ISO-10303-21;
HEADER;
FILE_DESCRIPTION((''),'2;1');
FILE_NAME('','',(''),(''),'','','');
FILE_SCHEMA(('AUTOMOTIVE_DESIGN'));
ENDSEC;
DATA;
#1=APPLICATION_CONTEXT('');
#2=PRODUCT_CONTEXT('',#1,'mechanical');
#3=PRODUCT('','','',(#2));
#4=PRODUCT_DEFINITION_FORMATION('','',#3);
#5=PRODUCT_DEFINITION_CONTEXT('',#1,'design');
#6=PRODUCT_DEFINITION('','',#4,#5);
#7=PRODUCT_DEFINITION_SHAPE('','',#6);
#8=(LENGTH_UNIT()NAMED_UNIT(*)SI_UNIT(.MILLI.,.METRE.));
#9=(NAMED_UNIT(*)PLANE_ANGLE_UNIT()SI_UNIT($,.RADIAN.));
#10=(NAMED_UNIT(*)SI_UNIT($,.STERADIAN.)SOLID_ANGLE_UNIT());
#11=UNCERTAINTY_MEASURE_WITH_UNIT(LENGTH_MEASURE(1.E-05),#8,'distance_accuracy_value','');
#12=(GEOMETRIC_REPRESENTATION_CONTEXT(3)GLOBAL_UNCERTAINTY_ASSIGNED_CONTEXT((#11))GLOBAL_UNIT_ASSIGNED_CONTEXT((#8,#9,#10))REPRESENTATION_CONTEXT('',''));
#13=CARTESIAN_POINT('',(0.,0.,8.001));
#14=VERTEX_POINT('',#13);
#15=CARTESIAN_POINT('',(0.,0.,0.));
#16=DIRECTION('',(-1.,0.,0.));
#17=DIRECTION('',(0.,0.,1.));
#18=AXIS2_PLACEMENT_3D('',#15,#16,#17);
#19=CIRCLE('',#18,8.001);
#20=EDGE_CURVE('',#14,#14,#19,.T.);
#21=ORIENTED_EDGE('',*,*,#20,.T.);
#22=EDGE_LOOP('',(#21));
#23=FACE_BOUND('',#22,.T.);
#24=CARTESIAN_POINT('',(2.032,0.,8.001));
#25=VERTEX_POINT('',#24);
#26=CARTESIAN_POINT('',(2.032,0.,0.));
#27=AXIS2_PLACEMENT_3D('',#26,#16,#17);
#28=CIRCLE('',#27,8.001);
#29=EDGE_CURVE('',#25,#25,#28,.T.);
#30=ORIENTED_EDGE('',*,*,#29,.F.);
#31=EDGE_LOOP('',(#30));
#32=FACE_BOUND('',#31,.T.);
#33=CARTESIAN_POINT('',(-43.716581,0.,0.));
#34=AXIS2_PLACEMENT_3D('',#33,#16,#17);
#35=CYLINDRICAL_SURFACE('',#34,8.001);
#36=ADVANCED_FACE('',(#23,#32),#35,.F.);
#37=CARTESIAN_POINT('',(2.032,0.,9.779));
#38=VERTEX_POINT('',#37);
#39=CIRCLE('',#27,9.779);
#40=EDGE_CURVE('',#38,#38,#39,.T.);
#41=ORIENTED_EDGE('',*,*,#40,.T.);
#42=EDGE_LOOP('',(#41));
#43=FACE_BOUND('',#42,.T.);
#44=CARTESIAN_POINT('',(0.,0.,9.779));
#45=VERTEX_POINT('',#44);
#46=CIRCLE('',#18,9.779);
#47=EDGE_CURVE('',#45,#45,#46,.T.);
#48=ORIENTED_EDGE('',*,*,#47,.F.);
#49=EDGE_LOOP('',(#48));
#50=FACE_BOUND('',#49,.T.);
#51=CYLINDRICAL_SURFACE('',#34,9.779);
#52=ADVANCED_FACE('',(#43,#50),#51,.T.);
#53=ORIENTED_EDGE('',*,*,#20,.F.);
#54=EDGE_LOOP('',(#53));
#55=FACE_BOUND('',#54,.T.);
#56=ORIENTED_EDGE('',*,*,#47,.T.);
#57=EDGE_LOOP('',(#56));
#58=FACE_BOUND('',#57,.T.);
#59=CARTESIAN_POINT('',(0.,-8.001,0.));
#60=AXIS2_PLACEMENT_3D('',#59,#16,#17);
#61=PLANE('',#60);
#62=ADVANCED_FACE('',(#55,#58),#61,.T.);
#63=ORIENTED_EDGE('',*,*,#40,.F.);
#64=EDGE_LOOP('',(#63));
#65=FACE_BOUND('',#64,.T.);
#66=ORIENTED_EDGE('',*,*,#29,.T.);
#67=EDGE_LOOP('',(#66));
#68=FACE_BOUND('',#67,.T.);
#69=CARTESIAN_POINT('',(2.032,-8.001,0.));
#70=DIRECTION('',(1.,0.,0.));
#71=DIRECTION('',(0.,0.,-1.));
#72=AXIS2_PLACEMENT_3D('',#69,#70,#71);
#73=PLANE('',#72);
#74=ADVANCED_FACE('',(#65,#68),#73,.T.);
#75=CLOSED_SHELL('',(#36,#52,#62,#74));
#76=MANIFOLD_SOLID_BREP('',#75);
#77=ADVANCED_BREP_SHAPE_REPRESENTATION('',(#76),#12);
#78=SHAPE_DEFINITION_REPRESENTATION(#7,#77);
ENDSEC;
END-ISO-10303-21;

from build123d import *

# Parameters (mm, degrees)
SKETCH1_W = 2.032
SKETCH1_H = 1.778


with BuildPart() as part:
    # Sketch1 → Revolve1 (revolve)
    with BuildSketch(Plane.XY, mode=Mode.PRIVATE) as revolve1_sk:
        with Locations((1.016, -8.89)):
            Rectangle(SKETCH1_W, SKETCH1_H)
    revolve(revolve1_sk.sketch.rotate(Axis((-43.716580756, 0, 0), (1, 0, 0)), 270), axis=Axis((-43.716580756, 0, 0), (1, 0, 0)))  # turned: the seam where the file's is


solid = part.part
